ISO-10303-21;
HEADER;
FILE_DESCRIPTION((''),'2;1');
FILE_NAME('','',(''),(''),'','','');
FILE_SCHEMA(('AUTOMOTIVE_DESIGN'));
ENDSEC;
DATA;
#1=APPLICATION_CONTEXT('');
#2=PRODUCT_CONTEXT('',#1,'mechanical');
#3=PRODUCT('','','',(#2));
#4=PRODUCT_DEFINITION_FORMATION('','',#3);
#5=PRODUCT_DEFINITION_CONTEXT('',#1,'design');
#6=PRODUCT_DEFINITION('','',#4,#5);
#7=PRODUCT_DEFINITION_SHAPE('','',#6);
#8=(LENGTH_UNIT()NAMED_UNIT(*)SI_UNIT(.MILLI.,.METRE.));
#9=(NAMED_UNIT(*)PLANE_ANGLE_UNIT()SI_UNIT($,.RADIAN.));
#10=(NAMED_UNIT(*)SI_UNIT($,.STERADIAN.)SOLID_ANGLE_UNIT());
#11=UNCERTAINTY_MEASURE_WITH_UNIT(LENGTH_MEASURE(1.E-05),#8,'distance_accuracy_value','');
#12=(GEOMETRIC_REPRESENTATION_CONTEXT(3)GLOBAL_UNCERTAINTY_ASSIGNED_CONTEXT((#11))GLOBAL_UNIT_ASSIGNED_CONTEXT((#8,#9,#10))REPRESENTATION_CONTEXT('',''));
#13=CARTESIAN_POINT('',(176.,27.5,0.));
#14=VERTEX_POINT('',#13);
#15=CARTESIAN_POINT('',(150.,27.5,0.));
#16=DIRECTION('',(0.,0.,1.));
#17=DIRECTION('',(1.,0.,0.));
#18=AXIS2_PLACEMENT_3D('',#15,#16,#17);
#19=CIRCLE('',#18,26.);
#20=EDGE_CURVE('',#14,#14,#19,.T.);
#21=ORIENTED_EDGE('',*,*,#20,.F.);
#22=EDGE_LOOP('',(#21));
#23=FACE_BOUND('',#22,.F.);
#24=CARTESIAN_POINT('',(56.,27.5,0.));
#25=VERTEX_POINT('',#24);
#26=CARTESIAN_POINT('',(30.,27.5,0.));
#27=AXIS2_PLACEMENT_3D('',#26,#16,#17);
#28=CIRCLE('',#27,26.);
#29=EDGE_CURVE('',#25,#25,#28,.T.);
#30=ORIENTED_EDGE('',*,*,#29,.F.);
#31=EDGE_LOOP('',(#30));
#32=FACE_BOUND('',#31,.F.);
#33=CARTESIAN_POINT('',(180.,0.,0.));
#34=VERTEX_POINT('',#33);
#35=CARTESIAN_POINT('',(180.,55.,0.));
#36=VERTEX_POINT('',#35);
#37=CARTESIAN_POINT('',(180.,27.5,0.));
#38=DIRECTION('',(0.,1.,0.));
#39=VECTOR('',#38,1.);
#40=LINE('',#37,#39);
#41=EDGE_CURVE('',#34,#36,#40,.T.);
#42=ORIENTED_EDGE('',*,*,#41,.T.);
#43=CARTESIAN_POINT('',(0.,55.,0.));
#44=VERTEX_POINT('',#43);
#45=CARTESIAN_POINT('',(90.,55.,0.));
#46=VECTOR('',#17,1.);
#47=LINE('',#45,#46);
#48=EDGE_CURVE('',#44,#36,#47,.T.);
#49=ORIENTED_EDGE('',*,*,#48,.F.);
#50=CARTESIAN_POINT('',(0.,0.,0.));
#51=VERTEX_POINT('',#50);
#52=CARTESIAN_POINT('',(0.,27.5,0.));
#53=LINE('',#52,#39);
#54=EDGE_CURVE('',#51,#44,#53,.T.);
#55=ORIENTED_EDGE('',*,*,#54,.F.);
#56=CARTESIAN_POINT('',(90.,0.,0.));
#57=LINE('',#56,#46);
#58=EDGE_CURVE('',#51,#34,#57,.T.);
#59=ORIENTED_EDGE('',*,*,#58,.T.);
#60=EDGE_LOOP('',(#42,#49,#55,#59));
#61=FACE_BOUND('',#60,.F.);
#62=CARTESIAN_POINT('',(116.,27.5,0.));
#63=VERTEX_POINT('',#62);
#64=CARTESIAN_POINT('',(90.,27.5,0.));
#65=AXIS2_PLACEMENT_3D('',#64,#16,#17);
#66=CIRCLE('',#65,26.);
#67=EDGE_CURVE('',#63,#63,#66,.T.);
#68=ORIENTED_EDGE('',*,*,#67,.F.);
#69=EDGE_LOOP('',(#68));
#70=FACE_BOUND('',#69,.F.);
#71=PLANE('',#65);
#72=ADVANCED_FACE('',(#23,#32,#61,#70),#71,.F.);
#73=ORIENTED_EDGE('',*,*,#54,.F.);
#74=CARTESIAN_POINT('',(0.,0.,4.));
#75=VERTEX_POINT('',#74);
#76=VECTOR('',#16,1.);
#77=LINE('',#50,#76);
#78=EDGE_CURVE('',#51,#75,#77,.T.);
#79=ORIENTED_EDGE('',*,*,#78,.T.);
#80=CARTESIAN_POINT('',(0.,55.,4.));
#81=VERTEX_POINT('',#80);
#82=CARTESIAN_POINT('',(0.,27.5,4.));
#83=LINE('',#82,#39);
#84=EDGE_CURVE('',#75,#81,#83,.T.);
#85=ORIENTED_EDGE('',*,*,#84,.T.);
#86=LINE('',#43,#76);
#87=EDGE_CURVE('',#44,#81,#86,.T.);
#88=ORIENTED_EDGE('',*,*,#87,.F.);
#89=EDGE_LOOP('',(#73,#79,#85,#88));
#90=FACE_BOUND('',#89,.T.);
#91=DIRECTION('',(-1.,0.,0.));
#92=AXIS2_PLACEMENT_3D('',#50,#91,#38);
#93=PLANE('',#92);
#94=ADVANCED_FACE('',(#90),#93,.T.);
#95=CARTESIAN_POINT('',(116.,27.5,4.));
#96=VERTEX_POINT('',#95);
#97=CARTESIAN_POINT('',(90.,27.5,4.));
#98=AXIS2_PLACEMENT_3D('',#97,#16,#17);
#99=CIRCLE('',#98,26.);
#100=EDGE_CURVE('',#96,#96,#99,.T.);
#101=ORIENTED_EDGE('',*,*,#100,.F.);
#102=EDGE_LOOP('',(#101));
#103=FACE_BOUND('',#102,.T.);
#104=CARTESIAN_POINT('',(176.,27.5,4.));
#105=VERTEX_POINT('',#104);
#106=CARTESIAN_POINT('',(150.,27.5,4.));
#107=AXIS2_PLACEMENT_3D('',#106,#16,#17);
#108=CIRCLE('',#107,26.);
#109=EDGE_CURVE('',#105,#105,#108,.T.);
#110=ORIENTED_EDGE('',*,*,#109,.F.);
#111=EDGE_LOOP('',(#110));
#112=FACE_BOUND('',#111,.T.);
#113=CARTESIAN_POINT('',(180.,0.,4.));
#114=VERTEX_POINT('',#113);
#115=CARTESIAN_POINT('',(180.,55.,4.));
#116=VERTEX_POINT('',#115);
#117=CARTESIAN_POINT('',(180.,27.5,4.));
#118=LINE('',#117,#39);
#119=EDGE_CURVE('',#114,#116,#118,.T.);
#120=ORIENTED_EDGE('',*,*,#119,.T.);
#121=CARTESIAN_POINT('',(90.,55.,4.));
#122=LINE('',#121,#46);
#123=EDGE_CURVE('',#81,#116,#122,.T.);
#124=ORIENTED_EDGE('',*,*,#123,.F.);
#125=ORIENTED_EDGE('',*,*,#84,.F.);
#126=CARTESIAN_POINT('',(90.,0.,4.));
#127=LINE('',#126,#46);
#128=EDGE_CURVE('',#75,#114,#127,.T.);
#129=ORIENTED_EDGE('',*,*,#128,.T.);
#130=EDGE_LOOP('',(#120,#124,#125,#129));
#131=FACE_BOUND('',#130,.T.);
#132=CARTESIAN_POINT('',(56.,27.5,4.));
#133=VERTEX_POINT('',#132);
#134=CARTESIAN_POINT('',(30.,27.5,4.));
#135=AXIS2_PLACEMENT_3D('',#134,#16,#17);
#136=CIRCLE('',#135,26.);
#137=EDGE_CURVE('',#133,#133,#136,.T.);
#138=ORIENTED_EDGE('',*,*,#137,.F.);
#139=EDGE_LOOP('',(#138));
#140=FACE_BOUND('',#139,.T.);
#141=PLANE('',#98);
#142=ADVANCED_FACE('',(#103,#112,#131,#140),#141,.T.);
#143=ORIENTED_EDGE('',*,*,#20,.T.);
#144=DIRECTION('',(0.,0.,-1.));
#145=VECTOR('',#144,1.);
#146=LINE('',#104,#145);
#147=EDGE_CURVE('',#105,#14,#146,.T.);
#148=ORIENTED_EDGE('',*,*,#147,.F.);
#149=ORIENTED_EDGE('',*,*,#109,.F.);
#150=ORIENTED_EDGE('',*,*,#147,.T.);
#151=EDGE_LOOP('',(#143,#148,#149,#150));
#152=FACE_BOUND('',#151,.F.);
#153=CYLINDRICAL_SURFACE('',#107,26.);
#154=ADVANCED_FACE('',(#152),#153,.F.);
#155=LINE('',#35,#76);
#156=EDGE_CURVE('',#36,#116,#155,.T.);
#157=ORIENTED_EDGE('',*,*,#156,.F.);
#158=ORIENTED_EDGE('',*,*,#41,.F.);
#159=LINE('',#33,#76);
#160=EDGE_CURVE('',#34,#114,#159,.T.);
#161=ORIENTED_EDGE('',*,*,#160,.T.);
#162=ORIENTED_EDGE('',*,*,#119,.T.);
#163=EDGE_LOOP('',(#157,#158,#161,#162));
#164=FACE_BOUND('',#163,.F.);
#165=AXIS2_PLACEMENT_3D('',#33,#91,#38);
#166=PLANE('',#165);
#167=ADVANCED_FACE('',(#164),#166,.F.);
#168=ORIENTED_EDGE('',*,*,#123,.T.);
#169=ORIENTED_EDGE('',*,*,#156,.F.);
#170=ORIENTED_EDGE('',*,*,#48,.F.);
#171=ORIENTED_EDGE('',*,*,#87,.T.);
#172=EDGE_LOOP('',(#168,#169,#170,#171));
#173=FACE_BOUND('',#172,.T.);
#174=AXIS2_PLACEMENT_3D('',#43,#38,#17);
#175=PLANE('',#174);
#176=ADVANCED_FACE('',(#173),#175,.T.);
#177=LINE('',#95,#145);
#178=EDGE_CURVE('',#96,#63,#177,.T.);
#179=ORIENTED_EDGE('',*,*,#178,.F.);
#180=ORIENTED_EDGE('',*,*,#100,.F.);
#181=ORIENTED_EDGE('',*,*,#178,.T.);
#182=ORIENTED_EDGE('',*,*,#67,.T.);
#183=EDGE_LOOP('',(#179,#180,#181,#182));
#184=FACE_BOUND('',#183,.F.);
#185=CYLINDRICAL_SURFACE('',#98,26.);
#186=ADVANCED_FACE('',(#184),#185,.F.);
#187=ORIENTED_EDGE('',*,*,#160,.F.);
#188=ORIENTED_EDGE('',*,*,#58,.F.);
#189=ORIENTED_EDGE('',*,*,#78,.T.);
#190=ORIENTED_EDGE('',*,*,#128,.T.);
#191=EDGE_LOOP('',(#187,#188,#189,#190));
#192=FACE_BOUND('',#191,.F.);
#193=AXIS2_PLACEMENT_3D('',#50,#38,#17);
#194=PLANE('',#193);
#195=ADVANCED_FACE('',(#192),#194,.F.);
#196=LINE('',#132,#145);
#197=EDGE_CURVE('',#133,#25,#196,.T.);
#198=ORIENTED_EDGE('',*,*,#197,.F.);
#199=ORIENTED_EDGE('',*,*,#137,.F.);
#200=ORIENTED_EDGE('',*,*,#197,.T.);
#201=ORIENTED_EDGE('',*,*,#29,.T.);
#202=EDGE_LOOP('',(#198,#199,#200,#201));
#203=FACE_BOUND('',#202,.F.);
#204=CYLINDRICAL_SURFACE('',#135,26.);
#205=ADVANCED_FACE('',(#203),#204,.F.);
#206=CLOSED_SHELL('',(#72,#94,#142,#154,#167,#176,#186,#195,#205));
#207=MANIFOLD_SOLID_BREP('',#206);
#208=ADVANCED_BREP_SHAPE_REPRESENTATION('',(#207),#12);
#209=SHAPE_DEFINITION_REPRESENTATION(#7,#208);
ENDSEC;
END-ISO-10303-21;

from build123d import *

# Parameters (mm, degrees)
F0_W     = 180
F0_H     = 55
F1_DEPTH = 4
F2_R     = 26
F3_DEPTH = 4.001


with BuildPart() as f1:
    # F0 (on Top) → F1 (new body)
    with BuildSketch(Plane.XY):
        with Locations((90, 27.5)):
            Rectangle(F0_W, F0_H)
    extrude(amount=F1_DEPTH)

    # F2 (on face) → F3 (cut, through all)
    with BuildSketch(Plane.XY.offset(4)):
        with Locations((30, 27.5)):
            Circle(F2_R)
        with Locations((90, 27.5)):
            Circle(F2_R)
        with Locations((150, 27.5)):
            Circle(F2_R)
    extrude(amount=-F3_DEPTH, mode=Mode.SUBTRACT)


solid = f1.part
